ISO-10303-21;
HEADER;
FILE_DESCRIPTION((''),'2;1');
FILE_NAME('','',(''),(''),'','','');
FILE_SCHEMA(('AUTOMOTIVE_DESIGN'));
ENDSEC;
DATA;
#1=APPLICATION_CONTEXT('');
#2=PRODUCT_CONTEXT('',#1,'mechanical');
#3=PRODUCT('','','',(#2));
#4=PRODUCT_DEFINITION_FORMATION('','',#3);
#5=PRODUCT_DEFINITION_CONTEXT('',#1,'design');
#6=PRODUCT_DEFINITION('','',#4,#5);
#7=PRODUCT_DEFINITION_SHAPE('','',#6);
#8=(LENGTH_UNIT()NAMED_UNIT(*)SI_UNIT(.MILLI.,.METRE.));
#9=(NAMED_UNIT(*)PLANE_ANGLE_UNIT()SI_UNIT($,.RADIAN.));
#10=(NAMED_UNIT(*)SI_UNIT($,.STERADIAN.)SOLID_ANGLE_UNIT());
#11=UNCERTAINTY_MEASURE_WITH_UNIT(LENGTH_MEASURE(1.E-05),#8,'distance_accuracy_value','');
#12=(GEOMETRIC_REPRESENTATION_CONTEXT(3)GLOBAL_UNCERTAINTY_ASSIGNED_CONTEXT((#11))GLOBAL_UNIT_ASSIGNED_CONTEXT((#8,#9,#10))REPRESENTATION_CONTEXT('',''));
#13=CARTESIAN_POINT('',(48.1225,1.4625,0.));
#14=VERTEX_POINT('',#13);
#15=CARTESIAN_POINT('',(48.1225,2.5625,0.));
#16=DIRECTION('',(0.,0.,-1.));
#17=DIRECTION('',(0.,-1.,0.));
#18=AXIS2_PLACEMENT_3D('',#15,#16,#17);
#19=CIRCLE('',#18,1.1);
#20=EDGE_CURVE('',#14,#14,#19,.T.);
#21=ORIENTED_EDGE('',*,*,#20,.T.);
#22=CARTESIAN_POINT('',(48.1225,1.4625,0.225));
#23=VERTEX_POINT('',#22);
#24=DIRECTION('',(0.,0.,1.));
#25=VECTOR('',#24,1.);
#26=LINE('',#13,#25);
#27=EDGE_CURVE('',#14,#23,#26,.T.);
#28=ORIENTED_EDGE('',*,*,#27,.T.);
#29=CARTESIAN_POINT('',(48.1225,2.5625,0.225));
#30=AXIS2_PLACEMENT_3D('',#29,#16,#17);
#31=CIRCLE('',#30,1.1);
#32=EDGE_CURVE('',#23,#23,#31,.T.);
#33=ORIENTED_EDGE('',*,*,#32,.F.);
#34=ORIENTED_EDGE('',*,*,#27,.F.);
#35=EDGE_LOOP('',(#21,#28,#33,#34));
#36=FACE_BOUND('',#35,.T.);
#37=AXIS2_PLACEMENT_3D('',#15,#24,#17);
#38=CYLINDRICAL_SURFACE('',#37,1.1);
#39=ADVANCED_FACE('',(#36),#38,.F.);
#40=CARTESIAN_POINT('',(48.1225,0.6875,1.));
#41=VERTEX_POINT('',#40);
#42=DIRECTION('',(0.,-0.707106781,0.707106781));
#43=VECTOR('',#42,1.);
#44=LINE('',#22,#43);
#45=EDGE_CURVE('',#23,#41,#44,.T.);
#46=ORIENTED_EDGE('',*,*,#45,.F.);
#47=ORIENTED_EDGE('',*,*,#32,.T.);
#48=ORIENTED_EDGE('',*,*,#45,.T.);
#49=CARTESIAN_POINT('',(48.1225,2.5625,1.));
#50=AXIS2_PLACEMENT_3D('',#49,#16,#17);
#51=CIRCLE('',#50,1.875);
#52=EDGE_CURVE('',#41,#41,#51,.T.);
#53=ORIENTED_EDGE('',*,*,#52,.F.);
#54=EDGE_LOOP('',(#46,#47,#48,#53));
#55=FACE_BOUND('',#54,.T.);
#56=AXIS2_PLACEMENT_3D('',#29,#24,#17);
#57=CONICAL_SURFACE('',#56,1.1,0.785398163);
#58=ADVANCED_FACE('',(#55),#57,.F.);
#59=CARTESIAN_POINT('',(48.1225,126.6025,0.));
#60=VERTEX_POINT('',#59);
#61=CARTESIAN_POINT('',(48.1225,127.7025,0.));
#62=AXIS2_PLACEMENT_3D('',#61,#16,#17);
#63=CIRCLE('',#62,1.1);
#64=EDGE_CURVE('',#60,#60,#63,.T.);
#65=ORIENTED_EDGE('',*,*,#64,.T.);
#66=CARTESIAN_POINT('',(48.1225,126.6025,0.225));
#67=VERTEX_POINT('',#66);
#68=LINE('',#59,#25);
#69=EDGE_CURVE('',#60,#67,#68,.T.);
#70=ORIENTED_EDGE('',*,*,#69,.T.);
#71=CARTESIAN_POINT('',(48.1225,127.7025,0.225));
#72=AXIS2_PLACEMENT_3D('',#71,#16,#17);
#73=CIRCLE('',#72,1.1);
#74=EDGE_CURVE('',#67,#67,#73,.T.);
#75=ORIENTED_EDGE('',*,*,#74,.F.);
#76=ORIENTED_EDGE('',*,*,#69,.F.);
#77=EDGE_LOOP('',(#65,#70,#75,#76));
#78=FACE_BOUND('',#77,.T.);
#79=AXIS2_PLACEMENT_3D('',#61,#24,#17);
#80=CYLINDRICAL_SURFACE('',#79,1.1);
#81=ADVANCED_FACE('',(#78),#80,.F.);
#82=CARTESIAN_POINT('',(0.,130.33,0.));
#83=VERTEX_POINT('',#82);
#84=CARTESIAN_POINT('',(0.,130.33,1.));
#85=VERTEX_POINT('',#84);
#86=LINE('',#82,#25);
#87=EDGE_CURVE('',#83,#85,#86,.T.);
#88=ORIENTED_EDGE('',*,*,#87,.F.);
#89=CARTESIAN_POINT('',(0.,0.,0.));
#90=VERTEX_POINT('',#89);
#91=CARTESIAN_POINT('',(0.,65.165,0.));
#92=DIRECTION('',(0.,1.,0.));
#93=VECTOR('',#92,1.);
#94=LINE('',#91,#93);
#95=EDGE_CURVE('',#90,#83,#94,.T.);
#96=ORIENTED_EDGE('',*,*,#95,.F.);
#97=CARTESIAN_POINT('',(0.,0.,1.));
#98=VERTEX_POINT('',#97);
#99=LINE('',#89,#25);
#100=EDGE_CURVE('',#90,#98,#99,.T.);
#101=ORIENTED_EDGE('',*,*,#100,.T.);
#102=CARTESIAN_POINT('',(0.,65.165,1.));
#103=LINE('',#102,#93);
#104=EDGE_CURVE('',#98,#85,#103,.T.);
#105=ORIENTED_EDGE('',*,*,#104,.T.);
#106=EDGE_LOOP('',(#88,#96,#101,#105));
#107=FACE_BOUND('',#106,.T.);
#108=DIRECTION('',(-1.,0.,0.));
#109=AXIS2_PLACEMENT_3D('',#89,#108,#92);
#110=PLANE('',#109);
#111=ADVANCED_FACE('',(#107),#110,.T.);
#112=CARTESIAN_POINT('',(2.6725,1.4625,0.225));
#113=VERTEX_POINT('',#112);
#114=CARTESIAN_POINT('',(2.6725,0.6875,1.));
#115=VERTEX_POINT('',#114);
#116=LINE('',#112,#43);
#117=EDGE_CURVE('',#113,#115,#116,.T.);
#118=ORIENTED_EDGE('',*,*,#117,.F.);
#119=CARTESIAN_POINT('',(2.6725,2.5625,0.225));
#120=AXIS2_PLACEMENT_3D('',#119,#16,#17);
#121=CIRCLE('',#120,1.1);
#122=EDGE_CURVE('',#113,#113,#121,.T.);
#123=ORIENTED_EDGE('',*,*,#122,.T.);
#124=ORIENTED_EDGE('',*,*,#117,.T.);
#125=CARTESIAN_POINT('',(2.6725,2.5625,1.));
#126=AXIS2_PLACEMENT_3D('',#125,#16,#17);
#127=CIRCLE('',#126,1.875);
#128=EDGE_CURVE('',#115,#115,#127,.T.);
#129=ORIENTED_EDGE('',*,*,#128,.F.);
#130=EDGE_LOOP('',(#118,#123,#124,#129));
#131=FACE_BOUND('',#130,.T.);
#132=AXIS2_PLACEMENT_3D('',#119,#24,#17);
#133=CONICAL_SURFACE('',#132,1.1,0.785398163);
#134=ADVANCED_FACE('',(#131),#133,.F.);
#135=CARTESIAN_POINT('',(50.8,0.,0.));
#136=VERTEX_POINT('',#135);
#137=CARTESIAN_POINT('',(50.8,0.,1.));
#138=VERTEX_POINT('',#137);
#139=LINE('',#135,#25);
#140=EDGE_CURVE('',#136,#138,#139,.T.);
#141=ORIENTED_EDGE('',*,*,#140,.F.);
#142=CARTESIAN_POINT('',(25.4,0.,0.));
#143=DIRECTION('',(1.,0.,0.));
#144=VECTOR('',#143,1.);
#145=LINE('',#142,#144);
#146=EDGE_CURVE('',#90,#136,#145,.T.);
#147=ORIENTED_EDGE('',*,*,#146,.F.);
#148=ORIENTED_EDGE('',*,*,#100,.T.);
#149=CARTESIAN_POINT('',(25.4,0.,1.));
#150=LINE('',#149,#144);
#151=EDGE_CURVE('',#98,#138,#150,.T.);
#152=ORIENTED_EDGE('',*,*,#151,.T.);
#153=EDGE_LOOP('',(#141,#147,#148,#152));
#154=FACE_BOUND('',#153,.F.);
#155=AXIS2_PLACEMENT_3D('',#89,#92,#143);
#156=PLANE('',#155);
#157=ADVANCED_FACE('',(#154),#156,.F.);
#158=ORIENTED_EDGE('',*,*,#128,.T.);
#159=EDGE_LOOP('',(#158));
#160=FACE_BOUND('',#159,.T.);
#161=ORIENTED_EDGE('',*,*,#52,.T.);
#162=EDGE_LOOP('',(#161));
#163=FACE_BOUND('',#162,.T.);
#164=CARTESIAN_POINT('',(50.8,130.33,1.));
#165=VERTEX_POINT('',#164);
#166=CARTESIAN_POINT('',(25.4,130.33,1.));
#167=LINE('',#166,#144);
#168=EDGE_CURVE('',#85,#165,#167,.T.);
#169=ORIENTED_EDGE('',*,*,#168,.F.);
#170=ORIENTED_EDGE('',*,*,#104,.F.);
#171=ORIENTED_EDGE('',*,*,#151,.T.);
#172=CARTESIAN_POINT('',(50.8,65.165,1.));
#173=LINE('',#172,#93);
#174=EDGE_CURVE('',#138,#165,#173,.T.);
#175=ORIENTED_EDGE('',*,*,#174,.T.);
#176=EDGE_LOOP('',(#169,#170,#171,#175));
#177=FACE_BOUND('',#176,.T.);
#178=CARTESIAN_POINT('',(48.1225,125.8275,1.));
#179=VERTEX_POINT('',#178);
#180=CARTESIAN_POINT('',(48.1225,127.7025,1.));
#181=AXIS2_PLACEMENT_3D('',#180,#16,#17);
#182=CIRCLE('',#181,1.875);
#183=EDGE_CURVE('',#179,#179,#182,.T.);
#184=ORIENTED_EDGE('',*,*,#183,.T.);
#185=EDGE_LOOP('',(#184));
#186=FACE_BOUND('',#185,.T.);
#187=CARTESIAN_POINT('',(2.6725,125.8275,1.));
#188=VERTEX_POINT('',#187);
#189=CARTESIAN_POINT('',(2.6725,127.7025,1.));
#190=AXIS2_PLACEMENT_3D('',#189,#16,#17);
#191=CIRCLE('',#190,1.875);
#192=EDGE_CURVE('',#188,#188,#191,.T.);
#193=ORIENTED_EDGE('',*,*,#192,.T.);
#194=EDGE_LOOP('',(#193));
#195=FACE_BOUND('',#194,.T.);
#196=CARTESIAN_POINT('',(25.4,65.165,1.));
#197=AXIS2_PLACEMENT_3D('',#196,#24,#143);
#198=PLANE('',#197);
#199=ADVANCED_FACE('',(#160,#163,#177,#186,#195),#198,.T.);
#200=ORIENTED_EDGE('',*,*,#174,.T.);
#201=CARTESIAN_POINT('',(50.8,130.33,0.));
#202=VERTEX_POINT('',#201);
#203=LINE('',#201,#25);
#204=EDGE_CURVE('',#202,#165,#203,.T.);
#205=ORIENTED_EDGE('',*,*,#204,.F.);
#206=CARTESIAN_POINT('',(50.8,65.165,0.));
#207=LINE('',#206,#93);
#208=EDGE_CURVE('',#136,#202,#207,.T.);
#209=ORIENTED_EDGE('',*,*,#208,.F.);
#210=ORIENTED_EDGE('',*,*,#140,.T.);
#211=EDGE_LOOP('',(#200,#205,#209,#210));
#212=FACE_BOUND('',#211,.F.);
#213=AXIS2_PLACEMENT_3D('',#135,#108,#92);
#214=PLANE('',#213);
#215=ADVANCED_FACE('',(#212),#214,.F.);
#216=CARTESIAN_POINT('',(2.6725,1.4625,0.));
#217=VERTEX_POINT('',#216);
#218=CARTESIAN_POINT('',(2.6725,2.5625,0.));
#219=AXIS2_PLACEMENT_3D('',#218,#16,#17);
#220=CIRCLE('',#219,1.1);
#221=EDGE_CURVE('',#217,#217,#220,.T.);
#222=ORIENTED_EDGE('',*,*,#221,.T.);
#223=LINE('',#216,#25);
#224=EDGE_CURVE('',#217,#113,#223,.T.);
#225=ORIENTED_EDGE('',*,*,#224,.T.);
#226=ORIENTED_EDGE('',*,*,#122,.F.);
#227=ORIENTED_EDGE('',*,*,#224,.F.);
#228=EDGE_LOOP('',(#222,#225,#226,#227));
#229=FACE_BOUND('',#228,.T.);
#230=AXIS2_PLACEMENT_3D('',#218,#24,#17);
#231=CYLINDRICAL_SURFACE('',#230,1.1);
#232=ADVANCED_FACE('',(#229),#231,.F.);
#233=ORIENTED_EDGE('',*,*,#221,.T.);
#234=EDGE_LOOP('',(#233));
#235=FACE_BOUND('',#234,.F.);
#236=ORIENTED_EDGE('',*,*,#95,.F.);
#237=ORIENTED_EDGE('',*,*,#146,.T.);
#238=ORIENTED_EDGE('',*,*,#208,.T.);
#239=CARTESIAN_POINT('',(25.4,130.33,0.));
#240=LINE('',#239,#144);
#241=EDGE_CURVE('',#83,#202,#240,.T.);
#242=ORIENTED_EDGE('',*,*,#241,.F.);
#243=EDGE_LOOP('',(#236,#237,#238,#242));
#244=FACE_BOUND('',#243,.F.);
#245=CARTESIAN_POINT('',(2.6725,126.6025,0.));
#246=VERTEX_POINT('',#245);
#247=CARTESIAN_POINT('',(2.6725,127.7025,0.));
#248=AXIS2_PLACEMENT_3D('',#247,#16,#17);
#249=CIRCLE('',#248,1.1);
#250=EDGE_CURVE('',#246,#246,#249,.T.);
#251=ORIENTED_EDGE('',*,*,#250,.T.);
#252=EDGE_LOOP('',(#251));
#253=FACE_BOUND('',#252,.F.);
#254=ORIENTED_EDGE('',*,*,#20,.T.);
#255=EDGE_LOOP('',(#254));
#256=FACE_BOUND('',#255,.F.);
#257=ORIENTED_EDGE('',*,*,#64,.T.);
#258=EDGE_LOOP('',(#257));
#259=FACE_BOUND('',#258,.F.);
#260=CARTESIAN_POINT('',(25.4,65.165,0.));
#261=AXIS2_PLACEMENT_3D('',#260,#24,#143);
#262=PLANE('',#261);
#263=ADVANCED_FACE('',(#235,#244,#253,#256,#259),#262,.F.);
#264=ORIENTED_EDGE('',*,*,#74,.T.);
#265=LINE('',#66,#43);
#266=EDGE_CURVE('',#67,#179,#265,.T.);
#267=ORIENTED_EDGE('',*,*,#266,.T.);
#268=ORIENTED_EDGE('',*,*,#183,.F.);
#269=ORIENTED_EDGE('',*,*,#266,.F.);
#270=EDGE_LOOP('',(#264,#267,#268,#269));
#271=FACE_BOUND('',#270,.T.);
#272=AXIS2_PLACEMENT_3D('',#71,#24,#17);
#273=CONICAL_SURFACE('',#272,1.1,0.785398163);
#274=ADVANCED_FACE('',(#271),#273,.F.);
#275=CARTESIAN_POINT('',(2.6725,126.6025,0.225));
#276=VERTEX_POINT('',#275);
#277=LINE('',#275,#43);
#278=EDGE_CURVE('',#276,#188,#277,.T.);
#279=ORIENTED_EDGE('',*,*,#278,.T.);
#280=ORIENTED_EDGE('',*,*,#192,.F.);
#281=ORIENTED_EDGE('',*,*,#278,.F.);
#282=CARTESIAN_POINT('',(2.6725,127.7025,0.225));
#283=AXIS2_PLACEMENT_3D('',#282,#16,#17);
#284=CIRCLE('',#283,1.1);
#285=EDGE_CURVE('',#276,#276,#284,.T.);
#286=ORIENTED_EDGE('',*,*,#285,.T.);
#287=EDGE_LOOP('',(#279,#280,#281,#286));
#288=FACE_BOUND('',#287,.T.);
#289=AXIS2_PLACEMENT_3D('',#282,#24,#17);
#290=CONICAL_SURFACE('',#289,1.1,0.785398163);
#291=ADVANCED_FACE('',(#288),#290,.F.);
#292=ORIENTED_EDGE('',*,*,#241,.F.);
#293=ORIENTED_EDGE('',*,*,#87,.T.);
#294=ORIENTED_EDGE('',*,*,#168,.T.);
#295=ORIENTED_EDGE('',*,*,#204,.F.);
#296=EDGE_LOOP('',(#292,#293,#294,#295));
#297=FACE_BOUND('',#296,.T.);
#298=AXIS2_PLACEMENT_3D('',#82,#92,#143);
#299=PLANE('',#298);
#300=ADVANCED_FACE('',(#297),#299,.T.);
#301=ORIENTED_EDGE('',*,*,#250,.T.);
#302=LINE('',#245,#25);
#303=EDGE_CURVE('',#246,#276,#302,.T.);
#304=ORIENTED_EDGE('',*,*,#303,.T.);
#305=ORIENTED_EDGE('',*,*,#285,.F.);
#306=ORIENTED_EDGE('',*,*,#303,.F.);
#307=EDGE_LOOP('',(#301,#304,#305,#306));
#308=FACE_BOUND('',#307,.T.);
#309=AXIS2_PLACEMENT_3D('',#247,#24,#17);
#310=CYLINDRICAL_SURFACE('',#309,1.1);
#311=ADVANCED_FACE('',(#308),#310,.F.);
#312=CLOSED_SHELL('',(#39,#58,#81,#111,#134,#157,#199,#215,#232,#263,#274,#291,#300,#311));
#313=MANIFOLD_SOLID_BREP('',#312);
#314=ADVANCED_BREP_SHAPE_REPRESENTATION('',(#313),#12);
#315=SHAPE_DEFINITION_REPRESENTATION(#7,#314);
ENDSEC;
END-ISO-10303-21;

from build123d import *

# Parameters (mm, degrees)
SKETCH1_W                                      = 50.8
SKETCH1_H                                      = 130.33
BOSS_EXTRUDE1_DEPTH                            = 1
CSK_FOR_M2_FLAT_HEAD_MACHINE_SCREW1_AT_2_COUNT = 2
CSK_FOR_M2_FLAT_HEAD_MACHINE_SCREW1_AT_2_PITCH = 133.137981433
CSK_FOR_M2_FLAT_HEAD_MACHINE_SCREW1_AT_3_COUNT = 2
CSK_FOR_M2_FLAT_HEAD_MACHINE_SCREW1_AT_3_PITCH = 125.14
CSK_FOR_M2_FLAT_HEAD_MACHINE_SCREW1_AT_4_COUNT = 2
CSK_FOR_M2_FLAT_HEAD_MACHINE_SCREW1_AT_4_PITCH = 45.45


with BuildPart() as part:
    # Sketch1 → Boss-Extrude1 (new body)
    with BuildSketch(Plane.XY):
        with Locations((25.4, 65.165)):
            Rectangle(SKETCH1_W, SKETCH1_H)
    extrude(amount=BOSS_EXTRUDE1_DEPTH)

    # Sketch4 → CSK for M2 Flat Head Machine Screw1 (revolve, cut)
    with BuildSketch(Plane(origin=(48.1225, 127.7025, 1), x_dir=(0, -1, 0), z_dir=(1, 0, 0))):
        Polygon((0, 0), (0, 1), (1.1, 1), (1.1, 0.775), (1.875, 0), align=None)
    csk_for_m2_flat_head_machine_screw1 = revolve(axis=Axis((48.1225, 127.7025, 7.35), (0, 0, -1)), mode=Mode.SUBTRACT)

    # CSK for M2 Flat Head Machine Screw1 at 2: CSK for M2 Flat Head Machine Screw1 ×2
    with Locations(*[Vector(-0.341375162, -0.939927124, 0) * (i * CSK_FOR_M2_FLAT_HEAD_MACHINE_SCREW1_AT_2_PITCH) for i in range(1, CSK_FOR_M2_FLAT_HEAD_MACHINE_SCREW1_AT_2_COUNT)]):
        add(csk_for_m2_flat_head_machine_screw1, mode=Mode.SUBTRACT)

    # CSK for M2 Flat Head Machine Screw1 at 3: CSK for M2 Flat Head Machine Screw1 ×2
    with Locations(*[(0, -i * CSK_FOR_M2_FLAT_HEAD_MACHINE_SCREW1_AT_3_PITCH, 0) for i in range(1, CSK_FOR_M2_FLAT_HEAD_MACHINE_SCREW1_AT_3_COUNT)]):
        add(csk_for_m2_flat_head_machine_screw1, mode=Mode.SUBTRACT)

    # CSK for M2 Flat Head Machine Screw1 at 4: CSK for M2 Flat Head Machine Screw1 ×2
    with Locations(*[(-i * CSK_FOR_M2_FLAT_HEAD_MACHINE_SCREW1_AT_4_PITCH, 0, 0) for i in range(1, CSK_FOR_M2_FLAT_HEAD_MACHINE_SCREW1_AT_4_COUNT)]):
        add(csk_for_m2_flat_head_machine_screw1, mode=Mode.SUBTRACT)


solid = part.part
